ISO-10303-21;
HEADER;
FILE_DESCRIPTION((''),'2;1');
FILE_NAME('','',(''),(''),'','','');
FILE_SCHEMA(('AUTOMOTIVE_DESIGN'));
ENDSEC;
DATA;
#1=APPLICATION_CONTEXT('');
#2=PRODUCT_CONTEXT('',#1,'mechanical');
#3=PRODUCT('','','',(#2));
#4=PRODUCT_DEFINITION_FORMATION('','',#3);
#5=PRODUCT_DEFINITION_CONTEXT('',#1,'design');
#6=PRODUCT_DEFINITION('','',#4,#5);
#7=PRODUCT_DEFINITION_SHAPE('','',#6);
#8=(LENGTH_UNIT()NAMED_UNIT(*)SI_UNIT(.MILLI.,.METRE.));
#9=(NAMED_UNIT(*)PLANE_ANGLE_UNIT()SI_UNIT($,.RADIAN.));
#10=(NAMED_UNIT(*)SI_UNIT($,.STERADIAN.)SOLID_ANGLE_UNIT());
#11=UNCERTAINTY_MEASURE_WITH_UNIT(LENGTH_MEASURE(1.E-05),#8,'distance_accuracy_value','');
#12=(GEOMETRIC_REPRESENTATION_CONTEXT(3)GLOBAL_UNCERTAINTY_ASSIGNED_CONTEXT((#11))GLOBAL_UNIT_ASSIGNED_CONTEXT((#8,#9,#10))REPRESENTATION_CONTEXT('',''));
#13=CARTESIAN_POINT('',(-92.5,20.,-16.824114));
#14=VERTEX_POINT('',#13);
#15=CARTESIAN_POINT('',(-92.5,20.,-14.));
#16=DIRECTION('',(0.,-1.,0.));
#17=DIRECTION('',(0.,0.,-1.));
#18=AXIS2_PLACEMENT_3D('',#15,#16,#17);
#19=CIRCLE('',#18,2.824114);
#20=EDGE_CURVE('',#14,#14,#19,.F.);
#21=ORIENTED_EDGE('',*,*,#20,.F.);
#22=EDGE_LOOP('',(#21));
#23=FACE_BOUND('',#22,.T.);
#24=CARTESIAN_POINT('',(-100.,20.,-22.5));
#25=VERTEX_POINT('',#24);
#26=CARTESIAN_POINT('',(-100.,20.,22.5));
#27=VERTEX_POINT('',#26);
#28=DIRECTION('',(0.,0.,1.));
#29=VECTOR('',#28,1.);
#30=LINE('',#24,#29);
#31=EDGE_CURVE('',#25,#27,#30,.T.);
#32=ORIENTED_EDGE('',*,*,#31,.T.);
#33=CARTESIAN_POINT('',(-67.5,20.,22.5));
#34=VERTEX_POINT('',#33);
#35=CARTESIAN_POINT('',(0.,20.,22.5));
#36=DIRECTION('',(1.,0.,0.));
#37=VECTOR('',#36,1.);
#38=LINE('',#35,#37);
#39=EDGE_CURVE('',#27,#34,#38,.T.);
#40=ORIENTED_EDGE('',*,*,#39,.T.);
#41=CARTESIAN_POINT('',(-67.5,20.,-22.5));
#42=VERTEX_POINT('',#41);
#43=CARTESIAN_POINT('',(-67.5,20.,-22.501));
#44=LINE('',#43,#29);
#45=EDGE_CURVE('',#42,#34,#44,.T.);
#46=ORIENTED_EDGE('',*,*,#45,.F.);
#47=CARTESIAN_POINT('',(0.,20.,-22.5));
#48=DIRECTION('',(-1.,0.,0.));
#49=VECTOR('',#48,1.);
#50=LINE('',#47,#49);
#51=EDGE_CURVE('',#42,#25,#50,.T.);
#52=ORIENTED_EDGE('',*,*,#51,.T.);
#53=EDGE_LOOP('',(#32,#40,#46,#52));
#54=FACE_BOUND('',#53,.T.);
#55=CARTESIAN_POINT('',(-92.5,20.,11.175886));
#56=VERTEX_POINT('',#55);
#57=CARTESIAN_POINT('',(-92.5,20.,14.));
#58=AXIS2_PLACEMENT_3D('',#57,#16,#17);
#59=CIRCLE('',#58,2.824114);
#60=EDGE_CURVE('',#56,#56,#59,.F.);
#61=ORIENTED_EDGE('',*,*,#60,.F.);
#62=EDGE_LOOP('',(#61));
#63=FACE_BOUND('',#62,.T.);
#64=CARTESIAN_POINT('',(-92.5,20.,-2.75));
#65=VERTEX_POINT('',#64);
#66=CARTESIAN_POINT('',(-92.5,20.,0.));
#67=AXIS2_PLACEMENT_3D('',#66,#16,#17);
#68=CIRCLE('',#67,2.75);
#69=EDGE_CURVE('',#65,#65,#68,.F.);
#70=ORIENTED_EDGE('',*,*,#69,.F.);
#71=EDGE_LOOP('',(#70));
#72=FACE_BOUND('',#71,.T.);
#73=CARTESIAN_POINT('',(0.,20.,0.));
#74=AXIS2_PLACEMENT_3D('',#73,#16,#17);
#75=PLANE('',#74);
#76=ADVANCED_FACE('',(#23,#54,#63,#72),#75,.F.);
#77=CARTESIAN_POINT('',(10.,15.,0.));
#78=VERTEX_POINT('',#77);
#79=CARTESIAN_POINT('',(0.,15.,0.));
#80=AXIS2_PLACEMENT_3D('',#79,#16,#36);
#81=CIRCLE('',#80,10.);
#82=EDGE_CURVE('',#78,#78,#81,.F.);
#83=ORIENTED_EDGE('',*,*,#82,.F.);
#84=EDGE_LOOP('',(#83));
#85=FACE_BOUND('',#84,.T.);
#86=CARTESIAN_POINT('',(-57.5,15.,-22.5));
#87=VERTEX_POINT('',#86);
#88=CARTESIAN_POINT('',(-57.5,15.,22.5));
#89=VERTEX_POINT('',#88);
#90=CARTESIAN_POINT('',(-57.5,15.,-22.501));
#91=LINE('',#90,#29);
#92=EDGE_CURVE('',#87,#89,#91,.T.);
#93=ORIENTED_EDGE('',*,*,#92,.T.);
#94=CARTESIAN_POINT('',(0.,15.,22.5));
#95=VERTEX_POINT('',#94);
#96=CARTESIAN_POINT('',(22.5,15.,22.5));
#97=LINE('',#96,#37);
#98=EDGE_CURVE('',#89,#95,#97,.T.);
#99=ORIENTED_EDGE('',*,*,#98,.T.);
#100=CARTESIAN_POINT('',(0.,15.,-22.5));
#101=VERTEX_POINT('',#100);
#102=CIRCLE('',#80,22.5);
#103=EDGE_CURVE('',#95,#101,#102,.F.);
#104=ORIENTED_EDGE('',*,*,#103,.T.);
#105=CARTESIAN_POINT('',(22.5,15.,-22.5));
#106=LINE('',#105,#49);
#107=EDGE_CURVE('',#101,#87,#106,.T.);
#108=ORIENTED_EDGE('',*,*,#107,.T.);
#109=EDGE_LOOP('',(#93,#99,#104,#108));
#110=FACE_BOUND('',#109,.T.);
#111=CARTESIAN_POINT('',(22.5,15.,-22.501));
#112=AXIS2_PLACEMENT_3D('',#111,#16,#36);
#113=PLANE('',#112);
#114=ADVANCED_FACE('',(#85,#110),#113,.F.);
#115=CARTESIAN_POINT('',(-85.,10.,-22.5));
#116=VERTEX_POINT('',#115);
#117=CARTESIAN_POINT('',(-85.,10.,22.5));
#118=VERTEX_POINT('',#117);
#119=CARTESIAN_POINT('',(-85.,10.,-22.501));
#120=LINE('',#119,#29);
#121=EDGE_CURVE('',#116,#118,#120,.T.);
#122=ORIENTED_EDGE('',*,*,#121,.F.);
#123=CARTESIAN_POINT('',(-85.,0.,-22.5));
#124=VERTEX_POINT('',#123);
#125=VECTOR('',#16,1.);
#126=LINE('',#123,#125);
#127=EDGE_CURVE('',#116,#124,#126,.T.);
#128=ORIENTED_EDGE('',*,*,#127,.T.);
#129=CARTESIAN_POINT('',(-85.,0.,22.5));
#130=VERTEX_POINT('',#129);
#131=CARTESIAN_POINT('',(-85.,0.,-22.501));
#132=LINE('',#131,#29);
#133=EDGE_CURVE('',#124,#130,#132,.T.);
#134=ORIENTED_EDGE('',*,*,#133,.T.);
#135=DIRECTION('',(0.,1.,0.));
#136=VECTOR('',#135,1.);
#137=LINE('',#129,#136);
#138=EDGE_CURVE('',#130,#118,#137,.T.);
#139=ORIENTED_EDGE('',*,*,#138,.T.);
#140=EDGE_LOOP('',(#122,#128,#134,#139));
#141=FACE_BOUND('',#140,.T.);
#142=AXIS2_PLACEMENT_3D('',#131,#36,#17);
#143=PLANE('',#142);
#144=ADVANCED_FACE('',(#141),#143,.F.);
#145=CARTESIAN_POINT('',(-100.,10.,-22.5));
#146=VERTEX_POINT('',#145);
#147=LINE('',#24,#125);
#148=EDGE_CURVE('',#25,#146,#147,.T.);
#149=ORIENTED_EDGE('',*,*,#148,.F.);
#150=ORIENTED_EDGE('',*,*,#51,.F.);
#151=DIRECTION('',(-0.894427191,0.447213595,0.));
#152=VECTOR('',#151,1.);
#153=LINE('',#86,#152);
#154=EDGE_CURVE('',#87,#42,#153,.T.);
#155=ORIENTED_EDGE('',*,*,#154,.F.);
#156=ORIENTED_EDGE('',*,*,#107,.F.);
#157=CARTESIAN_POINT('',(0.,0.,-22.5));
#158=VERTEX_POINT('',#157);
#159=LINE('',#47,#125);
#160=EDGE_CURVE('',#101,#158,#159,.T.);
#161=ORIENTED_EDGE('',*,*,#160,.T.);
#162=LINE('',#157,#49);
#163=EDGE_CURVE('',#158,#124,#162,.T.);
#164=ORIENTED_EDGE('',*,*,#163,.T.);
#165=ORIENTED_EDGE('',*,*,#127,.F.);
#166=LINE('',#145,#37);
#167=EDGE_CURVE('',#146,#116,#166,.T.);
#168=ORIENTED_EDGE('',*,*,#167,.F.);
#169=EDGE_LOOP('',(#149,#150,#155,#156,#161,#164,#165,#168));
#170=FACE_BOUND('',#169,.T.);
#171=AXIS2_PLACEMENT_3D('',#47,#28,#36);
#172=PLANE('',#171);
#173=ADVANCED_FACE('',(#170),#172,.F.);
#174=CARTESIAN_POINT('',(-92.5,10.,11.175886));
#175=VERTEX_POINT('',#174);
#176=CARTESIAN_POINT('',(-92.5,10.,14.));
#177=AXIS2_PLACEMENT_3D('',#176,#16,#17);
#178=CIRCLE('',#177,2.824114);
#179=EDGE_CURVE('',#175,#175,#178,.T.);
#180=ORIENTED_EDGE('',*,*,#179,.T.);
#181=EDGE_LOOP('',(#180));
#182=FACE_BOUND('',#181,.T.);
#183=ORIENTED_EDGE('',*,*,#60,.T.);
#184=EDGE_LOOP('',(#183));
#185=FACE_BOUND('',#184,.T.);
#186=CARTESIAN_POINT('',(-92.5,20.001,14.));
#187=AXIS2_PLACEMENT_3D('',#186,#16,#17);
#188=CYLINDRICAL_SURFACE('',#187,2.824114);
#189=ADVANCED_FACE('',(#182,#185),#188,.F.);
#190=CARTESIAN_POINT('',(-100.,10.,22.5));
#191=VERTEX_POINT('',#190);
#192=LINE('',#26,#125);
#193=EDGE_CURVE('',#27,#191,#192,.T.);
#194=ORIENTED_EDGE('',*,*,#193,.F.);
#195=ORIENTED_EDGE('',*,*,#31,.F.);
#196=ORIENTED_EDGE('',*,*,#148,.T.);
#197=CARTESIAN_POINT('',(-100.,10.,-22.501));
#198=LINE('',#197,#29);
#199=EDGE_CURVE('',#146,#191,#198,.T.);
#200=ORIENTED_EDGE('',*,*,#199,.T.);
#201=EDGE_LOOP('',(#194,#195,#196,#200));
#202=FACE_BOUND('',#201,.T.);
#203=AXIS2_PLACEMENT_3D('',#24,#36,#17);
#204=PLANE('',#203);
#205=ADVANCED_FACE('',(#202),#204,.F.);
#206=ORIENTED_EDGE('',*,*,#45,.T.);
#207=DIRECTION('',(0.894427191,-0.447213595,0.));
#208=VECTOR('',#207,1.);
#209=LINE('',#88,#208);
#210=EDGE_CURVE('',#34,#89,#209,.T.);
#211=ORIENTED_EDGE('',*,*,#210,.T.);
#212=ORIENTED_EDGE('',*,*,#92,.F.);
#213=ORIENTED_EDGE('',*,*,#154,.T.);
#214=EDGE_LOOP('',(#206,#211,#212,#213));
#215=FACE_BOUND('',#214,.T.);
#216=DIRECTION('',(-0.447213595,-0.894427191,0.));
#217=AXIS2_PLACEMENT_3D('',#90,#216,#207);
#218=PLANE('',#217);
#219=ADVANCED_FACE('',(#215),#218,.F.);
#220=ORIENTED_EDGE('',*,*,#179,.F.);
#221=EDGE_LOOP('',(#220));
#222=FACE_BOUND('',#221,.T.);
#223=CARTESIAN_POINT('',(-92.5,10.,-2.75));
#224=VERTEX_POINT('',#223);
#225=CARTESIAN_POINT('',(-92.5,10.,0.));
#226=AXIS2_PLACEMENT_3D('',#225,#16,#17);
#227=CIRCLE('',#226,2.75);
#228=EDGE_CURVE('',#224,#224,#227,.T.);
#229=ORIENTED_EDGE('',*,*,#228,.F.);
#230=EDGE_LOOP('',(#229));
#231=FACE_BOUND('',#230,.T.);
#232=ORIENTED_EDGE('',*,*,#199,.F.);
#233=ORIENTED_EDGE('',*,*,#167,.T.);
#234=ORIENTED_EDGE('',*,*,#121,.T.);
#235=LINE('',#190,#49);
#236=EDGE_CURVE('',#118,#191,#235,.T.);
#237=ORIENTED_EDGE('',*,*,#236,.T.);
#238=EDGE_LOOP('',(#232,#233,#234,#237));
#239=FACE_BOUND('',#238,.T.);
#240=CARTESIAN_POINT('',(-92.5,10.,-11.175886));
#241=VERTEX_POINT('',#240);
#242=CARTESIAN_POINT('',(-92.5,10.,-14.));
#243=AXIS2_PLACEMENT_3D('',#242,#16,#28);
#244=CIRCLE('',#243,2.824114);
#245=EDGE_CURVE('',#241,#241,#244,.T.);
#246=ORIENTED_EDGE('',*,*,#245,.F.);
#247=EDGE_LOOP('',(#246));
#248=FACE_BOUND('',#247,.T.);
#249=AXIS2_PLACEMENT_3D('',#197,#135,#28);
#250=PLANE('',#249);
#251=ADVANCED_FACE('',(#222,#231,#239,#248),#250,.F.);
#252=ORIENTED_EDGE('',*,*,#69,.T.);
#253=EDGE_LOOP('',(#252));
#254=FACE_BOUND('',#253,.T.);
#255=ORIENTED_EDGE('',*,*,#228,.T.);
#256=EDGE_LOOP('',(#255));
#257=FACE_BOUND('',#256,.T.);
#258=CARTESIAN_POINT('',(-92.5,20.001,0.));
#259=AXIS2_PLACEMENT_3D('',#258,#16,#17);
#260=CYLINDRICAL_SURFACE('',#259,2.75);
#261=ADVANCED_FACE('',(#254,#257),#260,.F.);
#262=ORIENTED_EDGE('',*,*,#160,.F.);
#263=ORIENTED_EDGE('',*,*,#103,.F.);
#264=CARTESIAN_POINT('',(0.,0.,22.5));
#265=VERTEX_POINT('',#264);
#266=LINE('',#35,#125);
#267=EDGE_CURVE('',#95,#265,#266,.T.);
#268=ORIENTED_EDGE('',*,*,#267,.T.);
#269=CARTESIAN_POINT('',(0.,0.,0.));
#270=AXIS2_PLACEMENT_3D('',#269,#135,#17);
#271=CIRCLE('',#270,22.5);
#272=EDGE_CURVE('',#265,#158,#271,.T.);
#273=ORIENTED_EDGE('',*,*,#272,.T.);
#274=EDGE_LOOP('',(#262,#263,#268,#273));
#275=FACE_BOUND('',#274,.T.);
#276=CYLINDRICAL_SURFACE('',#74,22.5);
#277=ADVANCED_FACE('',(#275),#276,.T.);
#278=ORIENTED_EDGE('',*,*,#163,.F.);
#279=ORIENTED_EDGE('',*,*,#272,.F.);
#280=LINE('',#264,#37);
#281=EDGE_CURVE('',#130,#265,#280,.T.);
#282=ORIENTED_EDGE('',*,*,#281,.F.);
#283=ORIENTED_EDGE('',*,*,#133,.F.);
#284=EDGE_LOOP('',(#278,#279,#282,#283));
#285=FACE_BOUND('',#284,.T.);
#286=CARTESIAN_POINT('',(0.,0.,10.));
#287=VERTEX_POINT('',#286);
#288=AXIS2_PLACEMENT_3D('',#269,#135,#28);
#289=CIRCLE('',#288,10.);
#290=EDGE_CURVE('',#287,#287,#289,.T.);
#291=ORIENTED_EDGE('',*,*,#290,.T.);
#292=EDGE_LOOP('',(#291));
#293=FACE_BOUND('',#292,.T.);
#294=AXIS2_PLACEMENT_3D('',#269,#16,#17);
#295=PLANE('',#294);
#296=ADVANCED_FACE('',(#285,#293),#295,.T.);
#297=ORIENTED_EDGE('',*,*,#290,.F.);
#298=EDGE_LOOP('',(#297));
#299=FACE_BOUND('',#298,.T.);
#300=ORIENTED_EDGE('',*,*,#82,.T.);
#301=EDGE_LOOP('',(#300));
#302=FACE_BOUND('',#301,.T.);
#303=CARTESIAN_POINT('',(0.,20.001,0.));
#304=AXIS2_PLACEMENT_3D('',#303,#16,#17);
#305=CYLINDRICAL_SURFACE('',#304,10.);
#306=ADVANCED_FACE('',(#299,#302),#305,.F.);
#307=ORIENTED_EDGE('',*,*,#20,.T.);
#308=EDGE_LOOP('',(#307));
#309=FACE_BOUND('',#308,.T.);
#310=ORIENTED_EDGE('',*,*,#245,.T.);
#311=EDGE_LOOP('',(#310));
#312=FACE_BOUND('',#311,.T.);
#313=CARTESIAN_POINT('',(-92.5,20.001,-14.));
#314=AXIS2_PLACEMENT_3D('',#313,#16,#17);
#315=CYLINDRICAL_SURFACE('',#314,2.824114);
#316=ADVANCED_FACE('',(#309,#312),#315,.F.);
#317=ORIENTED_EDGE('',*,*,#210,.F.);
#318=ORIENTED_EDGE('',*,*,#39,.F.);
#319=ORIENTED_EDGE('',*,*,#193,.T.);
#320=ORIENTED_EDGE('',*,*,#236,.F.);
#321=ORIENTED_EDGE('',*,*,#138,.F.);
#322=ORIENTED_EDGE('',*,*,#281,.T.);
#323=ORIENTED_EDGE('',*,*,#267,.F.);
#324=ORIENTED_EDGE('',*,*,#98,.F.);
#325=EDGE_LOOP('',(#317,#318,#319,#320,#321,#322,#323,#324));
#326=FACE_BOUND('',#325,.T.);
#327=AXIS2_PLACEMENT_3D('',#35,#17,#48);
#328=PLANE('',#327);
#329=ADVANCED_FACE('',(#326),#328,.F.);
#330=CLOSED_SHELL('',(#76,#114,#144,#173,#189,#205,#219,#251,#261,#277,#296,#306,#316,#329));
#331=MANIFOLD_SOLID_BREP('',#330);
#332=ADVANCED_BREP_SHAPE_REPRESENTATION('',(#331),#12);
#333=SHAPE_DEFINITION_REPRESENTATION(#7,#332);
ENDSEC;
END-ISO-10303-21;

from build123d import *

# Parameters (mm, degrees)
EXTRUDE_1_DEPTH     = 20
CUT_EXTRUDE_1_REACH = 113.467
SKETCH_2_W          = 15
SKETCH_2_H          = 10
CUT_EXTRUDE_2_REACH = 104.987
SKETCH_3_R          = 2.75
SKETCH_3_R_2        = 2.824113924
CUT_EXTRUDE_3_REACH = 106.433
SKETCH_4_R          = 10
CUT_EXTRUDE_4_REACH = 113.467


with BuildPart() as part:
    # 草图1 → 凸台-拉伸1 (new body)
    with BuildSketch(Plane(origin=(0, 0, 0), x_dir=(1, 0, 0), z_dir=(0, 1, 0))):
        with BuildLine():
            Line((0, 22.5), (-100, 22.5))
            Line((-100, 22.5), (-100, -22.5))
            Line((-100, -22.5), (0, -22.5))
            ThreePointArc((0, -22.5), (22.5, 0), (0, 22.5))
        make_face()
    extrude(amount=EXTRUDE_1_DEPTH)

    # 草图2 → 切除-拉伸1 (cut, up to next)
    with BuildSketch(Plane.XY.offset(22.5), mode=Mode.PRIVATE) as cut_extrude_1_sk1:
        with Locations((-92.5, 5)):
            Rectangle(SKETCH_2_W, SKETCH_2_H)
    cut_extrude_1_tool1 = extrude(cut_extrude_1_sk1.sketch, amount=-CUT_EXTRUDE_1_REACH, mode=Mode.PRIVATE) & part.part
    add(cut_extrude_1_tool1.solids().sort_by_distance((-92.5, 5, 22.5))[0], mode=Mode.SUBTRACT)

    # 草图3 → 切除-拉伸2 (cut, up to next)
    with BuildSketch(Plane.XZ.offset(-10), mode=Mode.PRIVATE) as cut_extrude_2_sk1:
        with Locations(Location((-92.5, 0, 0), (0, 0, 270))):
            Circle(SKETCH_3_R)
    cut_extrude_2_tool1 = extrude(cut_extrude_2_sk1.sketch, amount=-CUT_EXTRUDE_2_REACH, mode=Mode.PRIVATE) & part.part
    # 草图3 → 切除-拉伸2 (cut, up to next)
    with BuildSketch(Plane.XZ.offset(-10), mode=Mode.PRIVATE) as cut_extrude_2_sk2:
        with Locations(Location((-92.5, 14, 0), (0, 0, 270))):
            Circle(SKETCH_3_R_2)
    cut_extrude_2_tool2 = extrude(cut_extrude_2_sk2.sketch, amount=-CUT_EXTRUDE_2_REACH, mode=Mode.PRIVATE) & part.part
    # 草图3 → 切除-拉伸2 (cut, up to next)
    with BuildSketch(Plane.XZ.offset(-10), mode=Mode.PRIVATE) as cut_extrude_2_sk3:
        with Locations(Location((-92.5, -14, 0), (0, 0, 270))):
            Circle(SKETCH_3_R_2)
    cut_extrude_2_tool3 = extrude(cut_extrude_2_sk3.sketch, amount=-CUT_EXTRUDE_2_REACH, mode=Mode.PRIVATE) & part.part
    add(cut_extrude_2_tool1.solids().sort_by_distance((-92.5, 10, 0))[0], mode=Mode.SUBTRACT)
    add(cut_extrude_2_tool2.solids().sort_by_distance((-92.5, 10, 14))[0], mode=Mode.SUBTRACT)
    add(cut_extrude_2_tool3.solids().sort_by_distance((-92.5, 10, -14))[0], mode=Mode.SUBTRACT)

    # 草图4 → 切除-拉伸3 (cut, up to next)
    with BuildSketch(Plane(origin=(0, 0, 0), x_dir=(1, 0, 0), z_dir=(0, 1, 0)), mode=Mode.PRIVATE) as cut_extrude_3_sk1:
        with Locations(Location((0, 0, 0), (0, 0, 90))):
            Circle(SKETCH_4_R)
    cut_extrude_3_tool1 = extrude(cut_extrude_3_sk1.sketch, amount=CUT_EXTRUDE_3_REACH, mode=Mode.PRIVATE) & part.part
    add(cut_extrude_3_tool1.solids().sort_by_distance((0, 0, 0))[0], mode=Mode.SUBTRACT)

    # 草图5 → 切除-拉伸4 (cut, up to next)
    with BuildSketch(Plane.XY.offset(22.5), mode=Mode.PRIVATE) as cut_extrude_4_sk1:
        Polygon((22.5, 20), (22.5, 15), (-57.5, 15), (-67.5, 20), align=None)
    cut_extrude_4_tool1 = extrude(cut_extrude_4_sk1.sketch, amount=-CUT_EXTRUDE_4_REACH, mode=Mode.PRIVATE) & part.part
    add(cut_extrude_4_tool1.solids().sort_by_distance((-20.04902, 17.54902, 22.5))[0], mode=Mode.SUBTRACT)


solid = part.part
